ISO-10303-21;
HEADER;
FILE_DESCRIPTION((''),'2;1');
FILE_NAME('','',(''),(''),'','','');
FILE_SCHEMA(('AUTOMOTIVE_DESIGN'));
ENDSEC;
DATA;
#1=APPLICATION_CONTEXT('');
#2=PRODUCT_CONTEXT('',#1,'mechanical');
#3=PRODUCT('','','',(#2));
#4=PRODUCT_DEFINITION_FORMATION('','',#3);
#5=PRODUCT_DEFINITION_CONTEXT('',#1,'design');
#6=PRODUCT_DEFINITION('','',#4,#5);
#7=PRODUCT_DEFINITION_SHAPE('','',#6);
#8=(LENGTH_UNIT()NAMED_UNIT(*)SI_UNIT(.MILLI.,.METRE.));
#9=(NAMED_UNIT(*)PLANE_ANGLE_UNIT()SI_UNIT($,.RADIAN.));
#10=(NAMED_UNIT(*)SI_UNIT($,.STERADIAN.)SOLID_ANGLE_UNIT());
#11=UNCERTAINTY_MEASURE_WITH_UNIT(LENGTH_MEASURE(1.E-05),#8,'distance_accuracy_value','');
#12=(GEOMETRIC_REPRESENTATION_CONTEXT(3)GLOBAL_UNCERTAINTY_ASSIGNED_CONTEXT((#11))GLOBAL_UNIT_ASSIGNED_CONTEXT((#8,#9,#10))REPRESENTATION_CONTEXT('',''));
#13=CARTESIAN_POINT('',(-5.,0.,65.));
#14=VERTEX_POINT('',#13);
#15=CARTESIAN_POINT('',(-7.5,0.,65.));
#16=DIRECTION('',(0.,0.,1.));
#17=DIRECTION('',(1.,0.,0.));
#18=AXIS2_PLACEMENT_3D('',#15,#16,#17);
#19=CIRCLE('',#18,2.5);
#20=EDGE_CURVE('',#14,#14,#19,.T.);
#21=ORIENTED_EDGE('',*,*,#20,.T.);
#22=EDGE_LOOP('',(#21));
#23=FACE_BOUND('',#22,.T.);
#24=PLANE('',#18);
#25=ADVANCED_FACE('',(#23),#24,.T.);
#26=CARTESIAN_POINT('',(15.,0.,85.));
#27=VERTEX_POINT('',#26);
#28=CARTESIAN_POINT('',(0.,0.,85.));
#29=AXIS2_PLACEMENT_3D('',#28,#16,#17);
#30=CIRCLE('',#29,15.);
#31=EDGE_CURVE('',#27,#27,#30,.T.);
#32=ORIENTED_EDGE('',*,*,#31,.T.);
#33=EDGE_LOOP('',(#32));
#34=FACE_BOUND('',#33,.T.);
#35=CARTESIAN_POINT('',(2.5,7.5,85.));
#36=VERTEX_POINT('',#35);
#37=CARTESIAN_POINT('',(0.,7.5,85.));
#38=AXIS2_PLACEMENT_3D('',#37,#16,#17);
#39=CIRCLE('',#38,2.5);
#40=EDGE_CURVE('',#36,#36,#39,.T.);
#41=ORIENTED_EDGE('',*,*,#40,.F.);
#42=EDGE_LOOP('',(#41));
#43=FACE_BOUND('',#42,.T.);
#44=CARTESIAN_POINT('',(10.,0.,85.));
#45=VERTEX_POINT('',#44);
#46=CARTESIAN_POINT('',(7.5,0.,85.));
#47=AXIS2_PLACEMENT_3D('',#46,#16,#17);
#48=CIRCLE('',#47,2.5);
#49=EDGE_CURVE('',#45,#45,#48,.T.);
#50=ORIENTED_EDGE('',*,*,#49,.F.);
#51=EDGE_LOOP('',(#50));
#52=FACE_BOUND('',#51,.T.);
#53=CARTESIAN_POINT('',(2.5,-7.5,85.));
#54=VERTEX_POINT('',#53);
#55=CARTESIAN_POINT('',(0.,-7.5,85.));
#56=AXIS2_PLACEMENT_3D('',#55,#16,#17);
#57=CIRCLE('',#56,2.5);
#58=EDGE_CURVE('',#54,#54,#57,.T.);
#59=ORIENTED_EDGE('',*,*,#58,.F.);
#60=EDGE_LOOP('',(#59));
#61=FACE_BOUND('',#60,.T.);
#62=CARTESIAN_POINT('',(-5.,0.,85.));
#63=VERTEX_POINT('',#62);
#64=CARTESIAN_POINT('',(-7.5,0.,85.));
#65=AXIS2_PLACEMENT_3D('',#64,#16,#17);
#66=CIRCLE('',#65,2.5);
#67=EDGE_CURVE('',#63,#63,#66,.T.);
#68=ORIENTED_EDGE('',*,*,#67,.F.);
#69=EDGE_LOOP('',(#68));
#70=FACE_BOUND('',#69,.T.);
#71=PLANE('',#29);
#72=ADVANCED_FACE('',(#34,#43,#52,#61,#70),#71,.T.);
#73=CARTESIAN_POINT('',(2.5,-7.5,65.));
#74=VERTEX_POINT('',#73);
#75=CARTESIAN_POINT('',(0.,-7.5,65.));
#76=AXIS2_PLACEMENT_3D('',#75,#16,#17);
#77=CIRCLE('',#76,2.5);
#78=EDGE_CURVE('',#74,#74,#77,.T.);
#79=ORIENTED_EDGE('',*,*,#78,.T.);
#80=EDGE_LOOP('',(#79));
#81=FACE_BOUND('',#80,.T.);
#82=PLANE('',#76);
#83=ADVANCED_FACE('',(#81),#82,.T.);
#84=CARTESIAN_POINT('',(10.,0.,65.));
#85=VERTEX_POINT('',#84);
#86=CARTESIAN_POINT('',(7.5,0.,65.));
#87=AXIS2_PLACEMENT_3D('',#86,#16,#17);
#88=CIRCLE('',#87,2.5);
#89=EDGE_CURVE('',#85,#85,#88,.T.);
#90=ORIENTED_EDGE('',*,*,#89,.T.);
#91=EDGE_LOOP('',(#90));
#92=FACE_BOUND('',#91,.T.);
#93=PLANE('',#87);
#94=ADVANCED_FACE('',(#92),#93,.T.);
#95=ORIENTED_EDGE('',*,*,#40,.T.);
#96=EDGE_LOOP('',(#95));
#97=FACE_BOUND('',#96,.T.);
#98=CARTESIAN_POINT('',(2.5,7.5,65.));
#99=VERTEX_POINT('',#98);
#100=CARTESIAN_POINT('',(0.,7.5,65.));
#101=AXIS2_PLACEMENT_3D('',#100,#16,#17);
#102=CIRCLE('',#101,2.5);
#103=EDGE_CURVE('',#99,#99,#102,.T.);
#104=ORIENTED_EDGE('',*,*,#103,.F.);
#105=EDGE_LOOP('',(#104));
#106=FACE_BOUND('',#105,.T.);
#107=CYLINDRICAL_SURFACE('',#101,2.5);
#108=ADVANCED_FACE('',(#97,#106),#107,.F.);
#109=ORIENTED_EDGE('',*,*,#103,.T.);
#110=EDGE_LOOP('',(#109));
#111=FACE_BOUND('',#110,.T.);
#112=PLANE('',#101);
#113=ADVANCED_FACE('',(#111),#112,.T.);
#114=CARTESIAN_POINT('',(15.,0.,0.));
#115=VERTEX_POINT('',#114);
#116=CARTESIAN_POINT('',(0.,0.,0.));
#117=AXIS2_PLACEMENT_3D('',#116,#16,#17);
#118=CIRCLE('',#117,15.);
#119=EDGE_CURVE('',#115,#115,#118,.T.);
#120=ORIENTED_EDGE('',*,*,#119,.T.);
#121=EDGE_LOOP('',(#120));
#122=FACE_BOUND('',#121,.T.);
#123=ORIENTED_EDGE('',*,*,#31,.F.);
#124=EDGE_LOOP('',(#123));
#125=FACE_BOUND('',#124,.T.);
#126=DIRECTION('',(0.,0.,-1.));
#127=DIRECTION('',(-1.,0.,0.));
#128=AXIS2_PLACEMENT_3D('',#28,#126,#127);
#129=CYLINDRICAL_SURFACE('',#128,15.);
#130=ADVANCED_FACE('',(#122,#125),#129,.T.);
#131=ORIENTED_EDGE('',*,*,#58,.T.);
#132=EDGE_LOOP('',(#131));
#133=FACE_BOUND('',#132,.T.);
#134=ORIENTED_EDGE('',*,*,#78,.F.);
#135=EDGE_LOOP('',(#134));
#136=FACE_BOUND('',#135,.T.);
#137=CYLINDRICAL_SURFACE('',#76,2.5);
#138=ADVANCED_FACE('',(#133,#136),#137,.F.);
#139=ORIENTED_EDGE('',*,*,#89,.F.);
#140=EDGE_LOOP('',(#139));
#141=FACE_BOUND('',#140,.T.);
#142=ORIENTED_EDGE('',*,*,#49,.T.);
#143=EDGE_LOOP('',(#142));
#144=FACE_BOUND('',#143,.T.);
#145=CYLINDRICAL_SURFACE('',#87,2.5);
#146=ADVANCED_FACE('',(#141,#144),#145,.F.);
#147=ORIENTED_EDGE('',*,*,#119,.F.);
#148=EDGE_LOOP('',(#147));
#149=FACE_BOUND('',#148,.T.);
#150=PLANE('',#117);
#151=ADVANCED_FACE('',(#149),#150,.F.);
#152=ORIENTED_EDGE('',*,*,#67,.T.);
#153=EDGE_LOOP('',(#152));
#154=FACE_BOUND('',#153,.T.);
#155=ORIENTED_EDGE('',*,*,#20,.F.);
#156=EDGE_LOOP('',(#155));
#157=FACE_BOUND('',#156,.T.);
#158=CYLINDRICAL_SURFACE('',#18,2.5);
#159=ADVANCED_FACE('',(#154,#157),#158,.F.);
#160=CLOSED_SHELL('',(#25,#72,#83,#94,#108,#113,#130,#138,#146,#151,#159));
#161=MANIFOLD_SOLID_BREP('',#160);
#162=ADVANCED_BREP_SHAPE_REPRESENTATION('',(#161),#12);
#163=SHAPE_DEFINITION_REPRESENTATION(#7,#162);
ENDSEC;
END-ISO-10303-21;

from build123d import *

# Parameters (mm, degrees)
SKETCH1_R           = 15
BOSS_EXTRUDE1_DEPTH = 85
SKETCH2_R           = 2.5
CUT_EXTRUDE1_DEPTH  = 20


with BuildPart() as part:
    # Sketch1 → Boss-Extrude1 (new body)
    with BuildSketch(Plane.XY):
        Circle(SKETCH1_R)
    extrude(amount=BOSS_EXTRUDE1_DEPTH)

    # Sketch2 → Cut-Extrude1 (cut)
    with BuildSketch(Plane.XY.offset(85)):
        with Locations((0, 7.5)):
            Circle(SKETCH2_R)
        with Locations((7.5, 0)):
            Circle(SKETCH2_R)
        with Locations((0, -7.5)):
            Circle(SKETCH2_R)
        with Locations((-7.5, 0)):
            Circle(SKETCH2_R)
    extrude(amount=-CUT_EXTRUDE1_DEPTH, mode=Mode.SUBTRACT)


solid = part.part
